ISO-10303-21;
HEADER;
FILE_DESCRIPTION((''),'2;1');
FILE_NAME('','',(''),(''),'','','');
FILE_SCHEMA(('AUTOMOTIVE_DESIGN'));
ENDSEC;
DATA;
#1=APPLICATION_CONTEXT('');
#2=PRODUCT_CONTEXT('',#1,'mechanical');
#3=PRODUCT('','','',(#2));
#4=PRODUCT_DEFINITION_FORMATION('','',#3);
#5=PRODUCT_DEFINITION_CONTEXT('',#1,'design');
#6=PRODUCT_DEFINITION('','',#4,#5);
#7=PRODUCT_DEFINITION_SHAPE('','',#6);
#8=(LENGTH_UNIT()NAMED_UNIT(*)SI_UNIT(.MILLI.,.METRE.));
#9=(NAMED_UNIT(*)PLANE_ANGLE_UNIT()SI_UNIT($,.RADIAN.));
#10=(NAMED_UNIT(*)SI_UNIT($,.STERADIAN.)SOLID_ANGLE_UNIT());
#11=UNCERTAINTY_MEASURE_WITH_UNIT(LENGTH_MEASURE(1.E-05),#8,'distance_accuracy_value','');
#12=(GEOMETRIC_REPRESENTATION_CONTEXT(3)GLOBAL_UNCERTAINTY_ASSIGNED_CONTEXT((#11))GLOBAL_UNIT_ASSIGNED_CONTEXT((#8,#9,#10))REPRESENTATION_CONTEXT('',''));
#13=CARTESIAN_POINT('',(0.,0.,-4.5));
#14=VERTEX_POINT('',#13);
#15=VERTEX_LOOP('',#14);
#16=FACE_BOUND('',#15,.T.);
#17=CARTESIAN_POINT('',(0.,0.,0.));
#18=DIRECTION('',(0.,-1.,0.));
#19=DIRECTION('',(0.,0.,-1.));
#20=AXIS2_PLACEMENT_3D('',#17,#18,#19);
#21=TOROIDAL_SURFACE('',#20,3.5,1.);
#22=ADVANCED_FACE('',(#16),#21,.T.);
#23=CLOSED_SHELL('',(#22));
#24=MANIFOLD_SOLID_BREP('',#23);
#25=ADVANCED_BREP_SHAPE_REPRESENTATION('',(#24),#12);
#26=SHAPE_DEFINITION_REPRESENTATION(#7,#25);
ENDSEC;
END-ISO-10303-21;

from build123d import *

# Parameters (mm, degrees)
SKETCH1_R = 1


with BuildPart() as part:
    # Sketch1 → Revolve1 (revolve)
    with BuildSketch(Plane.XY):
        with Locations((3.5, 0)):
            Circle(SKETCH1_R)
    revolve(axis=Axis((0, 0, 0), (0, 1, 0)))


solid = part.part
